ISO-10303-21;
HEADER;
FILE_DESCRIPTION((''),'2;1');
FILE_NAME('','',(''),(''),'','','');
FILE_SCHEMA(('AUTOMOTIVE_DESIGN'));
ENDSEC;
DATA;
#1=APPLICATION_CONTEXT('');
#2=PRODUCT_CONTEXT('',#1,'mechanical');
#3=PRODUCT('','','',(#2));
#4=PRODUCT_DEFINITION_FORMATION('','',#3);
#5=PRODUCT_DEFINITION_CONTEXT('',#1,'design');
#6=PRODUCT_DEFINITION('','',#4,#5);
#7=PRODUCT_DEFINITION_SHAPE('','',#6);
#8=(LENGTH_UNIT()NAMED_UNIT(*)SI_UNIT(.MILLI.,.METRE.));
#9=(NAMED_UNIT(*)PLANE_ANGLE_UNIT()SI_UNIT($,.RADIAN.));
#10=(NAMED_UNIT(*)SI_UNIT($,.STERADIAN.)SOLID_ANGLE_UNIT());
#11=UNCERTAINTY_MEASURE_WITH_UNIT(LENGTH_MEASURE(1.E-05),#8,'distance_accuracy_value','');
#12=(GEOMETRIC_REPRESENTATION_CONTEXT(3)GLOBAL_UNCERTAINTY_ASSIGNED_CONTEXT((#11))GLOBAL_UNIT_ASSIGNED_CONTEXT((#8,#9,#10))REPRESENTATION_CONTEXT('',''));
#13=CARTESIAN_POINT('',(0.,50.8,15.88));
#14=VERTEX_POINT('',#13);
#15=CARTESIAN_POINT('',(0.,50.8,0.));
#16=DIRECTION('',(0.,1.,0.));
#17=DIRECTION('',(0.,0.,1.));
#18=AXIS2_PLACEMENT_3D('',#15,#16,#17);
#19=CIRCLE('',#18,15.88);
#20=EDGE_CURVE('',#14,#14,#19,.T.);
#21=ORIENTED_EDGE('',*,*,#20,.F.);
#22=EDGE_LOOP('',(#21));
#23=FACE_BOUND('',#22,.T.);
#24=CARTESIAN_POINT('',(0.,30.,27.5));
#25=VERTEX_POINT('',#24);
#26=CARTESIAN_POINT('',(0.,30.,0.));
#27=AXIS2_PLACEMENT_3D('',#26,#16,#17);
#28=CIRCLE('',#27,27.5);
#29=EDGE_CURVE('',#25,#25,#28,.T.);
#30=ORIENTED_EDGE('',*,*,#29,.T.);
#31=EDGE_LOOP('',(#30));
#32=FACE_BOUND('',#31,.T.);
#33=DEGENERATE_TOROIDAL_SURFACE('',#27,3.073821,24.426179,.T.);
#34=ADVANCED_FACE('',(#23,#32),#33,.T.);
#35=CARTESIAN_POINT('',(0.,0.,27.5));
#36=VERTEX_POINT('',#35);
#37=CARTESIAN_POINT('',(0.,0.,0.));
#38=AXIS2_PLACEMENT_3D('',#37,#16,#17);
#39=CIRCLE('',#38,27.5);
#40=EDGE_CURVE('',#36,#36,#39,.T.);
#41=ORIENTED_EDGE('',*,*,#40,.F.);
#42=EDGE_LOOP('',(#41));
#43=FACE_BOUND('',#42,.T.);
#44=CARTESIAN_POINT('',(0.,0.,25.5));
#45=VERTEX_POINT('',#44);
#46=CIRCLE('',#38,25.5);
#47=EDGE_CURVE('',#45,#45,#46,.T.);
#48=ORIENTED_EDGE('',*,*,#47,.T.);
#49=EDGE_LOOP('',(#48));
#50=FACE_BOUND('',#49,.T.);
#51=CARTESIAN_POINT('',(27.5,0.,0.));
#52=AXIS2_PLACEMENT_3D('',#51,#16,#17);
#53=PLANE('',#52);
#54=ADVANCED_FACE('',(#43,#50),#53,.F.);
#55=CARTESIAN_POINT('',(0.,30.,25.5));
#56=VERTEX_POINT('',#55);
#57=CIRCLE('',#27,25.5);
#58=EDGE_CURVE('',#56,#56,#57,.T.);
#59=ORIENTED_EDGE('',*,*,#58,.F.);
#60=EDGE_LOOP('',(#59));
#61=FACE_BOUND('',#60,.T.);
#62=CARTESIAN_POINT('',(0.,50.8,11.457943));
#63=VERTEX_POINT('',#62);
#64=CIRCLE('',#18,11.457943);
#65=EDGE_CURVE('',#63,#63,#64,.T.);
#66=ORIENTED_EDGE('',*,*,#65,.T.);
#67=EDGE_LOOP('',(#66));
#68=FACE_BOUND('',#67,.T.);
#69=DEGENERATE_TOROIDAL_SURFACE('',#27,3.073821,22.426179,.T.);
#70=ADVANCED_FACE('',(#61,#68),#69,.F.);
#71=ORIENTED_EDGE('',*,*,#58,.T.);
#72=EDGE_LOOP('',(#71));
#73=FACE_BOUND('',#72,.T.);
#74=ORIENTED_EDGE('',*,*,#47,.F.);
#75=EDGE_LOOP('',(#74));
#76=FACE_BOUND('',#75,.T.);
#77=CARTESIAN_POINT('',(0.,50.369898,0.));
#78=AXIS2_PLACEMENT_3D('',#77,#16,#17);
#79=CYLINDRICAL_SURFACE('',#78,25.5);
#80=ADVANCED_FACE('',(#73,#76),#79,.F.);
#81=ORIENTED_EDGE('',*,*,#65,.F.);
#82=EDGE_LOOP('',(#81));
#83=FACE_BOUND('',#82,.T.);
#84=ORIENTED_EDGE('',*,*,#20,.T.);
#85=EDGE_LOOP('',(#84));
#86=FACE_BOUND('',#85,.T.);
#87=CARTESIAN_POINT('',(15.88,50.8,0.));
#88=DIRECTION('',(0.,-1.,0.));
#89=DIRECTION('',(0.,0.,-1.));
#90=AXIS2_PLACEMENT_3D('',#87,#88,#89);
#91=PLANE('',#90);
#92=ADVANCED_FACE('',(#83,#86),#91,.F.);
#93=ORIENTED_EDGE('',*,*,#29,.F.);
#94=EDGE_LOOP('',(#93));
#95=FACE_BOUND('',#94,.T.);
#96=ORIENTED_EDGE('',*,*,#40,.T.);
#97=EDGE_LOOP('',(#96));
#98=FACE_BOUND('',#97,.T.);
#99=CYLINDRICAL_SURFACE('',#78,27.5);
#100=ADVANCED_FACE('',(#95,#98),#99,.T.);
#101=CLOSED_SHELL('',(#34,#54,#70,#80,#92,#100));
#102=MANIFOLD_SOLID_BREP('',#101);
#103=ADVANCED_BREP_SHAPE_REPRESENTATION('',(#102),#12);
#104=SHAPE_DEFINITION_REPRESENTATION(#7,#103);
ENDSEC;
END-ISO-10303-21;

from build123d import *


with BuildPart() as part:
    # Sketch3 → Revolve1 (revolve)
    with BuildSketch(Plane.XY):
        with BuildLine():
            Line((27.5, 0), (27.5, 30))
            ThreePointArc((27.5, 30), (24.398035418, 41.912854402), (15.88, 50.8))
            Line((15.88, 50.8), (11.457943172, 50.8))
            ThreePointArc((11.457943172, 50.8), (21.660877372, 42.548101051), (25.5, 30))
            Line((25.5, 30), (25.5, 0))
            Line((25.5, 0), (27.5, 0))
        make_face()
    revolve(axis=Axis((0, 50.369897959, 0), (0, -1, 0)))


solid = part.part
